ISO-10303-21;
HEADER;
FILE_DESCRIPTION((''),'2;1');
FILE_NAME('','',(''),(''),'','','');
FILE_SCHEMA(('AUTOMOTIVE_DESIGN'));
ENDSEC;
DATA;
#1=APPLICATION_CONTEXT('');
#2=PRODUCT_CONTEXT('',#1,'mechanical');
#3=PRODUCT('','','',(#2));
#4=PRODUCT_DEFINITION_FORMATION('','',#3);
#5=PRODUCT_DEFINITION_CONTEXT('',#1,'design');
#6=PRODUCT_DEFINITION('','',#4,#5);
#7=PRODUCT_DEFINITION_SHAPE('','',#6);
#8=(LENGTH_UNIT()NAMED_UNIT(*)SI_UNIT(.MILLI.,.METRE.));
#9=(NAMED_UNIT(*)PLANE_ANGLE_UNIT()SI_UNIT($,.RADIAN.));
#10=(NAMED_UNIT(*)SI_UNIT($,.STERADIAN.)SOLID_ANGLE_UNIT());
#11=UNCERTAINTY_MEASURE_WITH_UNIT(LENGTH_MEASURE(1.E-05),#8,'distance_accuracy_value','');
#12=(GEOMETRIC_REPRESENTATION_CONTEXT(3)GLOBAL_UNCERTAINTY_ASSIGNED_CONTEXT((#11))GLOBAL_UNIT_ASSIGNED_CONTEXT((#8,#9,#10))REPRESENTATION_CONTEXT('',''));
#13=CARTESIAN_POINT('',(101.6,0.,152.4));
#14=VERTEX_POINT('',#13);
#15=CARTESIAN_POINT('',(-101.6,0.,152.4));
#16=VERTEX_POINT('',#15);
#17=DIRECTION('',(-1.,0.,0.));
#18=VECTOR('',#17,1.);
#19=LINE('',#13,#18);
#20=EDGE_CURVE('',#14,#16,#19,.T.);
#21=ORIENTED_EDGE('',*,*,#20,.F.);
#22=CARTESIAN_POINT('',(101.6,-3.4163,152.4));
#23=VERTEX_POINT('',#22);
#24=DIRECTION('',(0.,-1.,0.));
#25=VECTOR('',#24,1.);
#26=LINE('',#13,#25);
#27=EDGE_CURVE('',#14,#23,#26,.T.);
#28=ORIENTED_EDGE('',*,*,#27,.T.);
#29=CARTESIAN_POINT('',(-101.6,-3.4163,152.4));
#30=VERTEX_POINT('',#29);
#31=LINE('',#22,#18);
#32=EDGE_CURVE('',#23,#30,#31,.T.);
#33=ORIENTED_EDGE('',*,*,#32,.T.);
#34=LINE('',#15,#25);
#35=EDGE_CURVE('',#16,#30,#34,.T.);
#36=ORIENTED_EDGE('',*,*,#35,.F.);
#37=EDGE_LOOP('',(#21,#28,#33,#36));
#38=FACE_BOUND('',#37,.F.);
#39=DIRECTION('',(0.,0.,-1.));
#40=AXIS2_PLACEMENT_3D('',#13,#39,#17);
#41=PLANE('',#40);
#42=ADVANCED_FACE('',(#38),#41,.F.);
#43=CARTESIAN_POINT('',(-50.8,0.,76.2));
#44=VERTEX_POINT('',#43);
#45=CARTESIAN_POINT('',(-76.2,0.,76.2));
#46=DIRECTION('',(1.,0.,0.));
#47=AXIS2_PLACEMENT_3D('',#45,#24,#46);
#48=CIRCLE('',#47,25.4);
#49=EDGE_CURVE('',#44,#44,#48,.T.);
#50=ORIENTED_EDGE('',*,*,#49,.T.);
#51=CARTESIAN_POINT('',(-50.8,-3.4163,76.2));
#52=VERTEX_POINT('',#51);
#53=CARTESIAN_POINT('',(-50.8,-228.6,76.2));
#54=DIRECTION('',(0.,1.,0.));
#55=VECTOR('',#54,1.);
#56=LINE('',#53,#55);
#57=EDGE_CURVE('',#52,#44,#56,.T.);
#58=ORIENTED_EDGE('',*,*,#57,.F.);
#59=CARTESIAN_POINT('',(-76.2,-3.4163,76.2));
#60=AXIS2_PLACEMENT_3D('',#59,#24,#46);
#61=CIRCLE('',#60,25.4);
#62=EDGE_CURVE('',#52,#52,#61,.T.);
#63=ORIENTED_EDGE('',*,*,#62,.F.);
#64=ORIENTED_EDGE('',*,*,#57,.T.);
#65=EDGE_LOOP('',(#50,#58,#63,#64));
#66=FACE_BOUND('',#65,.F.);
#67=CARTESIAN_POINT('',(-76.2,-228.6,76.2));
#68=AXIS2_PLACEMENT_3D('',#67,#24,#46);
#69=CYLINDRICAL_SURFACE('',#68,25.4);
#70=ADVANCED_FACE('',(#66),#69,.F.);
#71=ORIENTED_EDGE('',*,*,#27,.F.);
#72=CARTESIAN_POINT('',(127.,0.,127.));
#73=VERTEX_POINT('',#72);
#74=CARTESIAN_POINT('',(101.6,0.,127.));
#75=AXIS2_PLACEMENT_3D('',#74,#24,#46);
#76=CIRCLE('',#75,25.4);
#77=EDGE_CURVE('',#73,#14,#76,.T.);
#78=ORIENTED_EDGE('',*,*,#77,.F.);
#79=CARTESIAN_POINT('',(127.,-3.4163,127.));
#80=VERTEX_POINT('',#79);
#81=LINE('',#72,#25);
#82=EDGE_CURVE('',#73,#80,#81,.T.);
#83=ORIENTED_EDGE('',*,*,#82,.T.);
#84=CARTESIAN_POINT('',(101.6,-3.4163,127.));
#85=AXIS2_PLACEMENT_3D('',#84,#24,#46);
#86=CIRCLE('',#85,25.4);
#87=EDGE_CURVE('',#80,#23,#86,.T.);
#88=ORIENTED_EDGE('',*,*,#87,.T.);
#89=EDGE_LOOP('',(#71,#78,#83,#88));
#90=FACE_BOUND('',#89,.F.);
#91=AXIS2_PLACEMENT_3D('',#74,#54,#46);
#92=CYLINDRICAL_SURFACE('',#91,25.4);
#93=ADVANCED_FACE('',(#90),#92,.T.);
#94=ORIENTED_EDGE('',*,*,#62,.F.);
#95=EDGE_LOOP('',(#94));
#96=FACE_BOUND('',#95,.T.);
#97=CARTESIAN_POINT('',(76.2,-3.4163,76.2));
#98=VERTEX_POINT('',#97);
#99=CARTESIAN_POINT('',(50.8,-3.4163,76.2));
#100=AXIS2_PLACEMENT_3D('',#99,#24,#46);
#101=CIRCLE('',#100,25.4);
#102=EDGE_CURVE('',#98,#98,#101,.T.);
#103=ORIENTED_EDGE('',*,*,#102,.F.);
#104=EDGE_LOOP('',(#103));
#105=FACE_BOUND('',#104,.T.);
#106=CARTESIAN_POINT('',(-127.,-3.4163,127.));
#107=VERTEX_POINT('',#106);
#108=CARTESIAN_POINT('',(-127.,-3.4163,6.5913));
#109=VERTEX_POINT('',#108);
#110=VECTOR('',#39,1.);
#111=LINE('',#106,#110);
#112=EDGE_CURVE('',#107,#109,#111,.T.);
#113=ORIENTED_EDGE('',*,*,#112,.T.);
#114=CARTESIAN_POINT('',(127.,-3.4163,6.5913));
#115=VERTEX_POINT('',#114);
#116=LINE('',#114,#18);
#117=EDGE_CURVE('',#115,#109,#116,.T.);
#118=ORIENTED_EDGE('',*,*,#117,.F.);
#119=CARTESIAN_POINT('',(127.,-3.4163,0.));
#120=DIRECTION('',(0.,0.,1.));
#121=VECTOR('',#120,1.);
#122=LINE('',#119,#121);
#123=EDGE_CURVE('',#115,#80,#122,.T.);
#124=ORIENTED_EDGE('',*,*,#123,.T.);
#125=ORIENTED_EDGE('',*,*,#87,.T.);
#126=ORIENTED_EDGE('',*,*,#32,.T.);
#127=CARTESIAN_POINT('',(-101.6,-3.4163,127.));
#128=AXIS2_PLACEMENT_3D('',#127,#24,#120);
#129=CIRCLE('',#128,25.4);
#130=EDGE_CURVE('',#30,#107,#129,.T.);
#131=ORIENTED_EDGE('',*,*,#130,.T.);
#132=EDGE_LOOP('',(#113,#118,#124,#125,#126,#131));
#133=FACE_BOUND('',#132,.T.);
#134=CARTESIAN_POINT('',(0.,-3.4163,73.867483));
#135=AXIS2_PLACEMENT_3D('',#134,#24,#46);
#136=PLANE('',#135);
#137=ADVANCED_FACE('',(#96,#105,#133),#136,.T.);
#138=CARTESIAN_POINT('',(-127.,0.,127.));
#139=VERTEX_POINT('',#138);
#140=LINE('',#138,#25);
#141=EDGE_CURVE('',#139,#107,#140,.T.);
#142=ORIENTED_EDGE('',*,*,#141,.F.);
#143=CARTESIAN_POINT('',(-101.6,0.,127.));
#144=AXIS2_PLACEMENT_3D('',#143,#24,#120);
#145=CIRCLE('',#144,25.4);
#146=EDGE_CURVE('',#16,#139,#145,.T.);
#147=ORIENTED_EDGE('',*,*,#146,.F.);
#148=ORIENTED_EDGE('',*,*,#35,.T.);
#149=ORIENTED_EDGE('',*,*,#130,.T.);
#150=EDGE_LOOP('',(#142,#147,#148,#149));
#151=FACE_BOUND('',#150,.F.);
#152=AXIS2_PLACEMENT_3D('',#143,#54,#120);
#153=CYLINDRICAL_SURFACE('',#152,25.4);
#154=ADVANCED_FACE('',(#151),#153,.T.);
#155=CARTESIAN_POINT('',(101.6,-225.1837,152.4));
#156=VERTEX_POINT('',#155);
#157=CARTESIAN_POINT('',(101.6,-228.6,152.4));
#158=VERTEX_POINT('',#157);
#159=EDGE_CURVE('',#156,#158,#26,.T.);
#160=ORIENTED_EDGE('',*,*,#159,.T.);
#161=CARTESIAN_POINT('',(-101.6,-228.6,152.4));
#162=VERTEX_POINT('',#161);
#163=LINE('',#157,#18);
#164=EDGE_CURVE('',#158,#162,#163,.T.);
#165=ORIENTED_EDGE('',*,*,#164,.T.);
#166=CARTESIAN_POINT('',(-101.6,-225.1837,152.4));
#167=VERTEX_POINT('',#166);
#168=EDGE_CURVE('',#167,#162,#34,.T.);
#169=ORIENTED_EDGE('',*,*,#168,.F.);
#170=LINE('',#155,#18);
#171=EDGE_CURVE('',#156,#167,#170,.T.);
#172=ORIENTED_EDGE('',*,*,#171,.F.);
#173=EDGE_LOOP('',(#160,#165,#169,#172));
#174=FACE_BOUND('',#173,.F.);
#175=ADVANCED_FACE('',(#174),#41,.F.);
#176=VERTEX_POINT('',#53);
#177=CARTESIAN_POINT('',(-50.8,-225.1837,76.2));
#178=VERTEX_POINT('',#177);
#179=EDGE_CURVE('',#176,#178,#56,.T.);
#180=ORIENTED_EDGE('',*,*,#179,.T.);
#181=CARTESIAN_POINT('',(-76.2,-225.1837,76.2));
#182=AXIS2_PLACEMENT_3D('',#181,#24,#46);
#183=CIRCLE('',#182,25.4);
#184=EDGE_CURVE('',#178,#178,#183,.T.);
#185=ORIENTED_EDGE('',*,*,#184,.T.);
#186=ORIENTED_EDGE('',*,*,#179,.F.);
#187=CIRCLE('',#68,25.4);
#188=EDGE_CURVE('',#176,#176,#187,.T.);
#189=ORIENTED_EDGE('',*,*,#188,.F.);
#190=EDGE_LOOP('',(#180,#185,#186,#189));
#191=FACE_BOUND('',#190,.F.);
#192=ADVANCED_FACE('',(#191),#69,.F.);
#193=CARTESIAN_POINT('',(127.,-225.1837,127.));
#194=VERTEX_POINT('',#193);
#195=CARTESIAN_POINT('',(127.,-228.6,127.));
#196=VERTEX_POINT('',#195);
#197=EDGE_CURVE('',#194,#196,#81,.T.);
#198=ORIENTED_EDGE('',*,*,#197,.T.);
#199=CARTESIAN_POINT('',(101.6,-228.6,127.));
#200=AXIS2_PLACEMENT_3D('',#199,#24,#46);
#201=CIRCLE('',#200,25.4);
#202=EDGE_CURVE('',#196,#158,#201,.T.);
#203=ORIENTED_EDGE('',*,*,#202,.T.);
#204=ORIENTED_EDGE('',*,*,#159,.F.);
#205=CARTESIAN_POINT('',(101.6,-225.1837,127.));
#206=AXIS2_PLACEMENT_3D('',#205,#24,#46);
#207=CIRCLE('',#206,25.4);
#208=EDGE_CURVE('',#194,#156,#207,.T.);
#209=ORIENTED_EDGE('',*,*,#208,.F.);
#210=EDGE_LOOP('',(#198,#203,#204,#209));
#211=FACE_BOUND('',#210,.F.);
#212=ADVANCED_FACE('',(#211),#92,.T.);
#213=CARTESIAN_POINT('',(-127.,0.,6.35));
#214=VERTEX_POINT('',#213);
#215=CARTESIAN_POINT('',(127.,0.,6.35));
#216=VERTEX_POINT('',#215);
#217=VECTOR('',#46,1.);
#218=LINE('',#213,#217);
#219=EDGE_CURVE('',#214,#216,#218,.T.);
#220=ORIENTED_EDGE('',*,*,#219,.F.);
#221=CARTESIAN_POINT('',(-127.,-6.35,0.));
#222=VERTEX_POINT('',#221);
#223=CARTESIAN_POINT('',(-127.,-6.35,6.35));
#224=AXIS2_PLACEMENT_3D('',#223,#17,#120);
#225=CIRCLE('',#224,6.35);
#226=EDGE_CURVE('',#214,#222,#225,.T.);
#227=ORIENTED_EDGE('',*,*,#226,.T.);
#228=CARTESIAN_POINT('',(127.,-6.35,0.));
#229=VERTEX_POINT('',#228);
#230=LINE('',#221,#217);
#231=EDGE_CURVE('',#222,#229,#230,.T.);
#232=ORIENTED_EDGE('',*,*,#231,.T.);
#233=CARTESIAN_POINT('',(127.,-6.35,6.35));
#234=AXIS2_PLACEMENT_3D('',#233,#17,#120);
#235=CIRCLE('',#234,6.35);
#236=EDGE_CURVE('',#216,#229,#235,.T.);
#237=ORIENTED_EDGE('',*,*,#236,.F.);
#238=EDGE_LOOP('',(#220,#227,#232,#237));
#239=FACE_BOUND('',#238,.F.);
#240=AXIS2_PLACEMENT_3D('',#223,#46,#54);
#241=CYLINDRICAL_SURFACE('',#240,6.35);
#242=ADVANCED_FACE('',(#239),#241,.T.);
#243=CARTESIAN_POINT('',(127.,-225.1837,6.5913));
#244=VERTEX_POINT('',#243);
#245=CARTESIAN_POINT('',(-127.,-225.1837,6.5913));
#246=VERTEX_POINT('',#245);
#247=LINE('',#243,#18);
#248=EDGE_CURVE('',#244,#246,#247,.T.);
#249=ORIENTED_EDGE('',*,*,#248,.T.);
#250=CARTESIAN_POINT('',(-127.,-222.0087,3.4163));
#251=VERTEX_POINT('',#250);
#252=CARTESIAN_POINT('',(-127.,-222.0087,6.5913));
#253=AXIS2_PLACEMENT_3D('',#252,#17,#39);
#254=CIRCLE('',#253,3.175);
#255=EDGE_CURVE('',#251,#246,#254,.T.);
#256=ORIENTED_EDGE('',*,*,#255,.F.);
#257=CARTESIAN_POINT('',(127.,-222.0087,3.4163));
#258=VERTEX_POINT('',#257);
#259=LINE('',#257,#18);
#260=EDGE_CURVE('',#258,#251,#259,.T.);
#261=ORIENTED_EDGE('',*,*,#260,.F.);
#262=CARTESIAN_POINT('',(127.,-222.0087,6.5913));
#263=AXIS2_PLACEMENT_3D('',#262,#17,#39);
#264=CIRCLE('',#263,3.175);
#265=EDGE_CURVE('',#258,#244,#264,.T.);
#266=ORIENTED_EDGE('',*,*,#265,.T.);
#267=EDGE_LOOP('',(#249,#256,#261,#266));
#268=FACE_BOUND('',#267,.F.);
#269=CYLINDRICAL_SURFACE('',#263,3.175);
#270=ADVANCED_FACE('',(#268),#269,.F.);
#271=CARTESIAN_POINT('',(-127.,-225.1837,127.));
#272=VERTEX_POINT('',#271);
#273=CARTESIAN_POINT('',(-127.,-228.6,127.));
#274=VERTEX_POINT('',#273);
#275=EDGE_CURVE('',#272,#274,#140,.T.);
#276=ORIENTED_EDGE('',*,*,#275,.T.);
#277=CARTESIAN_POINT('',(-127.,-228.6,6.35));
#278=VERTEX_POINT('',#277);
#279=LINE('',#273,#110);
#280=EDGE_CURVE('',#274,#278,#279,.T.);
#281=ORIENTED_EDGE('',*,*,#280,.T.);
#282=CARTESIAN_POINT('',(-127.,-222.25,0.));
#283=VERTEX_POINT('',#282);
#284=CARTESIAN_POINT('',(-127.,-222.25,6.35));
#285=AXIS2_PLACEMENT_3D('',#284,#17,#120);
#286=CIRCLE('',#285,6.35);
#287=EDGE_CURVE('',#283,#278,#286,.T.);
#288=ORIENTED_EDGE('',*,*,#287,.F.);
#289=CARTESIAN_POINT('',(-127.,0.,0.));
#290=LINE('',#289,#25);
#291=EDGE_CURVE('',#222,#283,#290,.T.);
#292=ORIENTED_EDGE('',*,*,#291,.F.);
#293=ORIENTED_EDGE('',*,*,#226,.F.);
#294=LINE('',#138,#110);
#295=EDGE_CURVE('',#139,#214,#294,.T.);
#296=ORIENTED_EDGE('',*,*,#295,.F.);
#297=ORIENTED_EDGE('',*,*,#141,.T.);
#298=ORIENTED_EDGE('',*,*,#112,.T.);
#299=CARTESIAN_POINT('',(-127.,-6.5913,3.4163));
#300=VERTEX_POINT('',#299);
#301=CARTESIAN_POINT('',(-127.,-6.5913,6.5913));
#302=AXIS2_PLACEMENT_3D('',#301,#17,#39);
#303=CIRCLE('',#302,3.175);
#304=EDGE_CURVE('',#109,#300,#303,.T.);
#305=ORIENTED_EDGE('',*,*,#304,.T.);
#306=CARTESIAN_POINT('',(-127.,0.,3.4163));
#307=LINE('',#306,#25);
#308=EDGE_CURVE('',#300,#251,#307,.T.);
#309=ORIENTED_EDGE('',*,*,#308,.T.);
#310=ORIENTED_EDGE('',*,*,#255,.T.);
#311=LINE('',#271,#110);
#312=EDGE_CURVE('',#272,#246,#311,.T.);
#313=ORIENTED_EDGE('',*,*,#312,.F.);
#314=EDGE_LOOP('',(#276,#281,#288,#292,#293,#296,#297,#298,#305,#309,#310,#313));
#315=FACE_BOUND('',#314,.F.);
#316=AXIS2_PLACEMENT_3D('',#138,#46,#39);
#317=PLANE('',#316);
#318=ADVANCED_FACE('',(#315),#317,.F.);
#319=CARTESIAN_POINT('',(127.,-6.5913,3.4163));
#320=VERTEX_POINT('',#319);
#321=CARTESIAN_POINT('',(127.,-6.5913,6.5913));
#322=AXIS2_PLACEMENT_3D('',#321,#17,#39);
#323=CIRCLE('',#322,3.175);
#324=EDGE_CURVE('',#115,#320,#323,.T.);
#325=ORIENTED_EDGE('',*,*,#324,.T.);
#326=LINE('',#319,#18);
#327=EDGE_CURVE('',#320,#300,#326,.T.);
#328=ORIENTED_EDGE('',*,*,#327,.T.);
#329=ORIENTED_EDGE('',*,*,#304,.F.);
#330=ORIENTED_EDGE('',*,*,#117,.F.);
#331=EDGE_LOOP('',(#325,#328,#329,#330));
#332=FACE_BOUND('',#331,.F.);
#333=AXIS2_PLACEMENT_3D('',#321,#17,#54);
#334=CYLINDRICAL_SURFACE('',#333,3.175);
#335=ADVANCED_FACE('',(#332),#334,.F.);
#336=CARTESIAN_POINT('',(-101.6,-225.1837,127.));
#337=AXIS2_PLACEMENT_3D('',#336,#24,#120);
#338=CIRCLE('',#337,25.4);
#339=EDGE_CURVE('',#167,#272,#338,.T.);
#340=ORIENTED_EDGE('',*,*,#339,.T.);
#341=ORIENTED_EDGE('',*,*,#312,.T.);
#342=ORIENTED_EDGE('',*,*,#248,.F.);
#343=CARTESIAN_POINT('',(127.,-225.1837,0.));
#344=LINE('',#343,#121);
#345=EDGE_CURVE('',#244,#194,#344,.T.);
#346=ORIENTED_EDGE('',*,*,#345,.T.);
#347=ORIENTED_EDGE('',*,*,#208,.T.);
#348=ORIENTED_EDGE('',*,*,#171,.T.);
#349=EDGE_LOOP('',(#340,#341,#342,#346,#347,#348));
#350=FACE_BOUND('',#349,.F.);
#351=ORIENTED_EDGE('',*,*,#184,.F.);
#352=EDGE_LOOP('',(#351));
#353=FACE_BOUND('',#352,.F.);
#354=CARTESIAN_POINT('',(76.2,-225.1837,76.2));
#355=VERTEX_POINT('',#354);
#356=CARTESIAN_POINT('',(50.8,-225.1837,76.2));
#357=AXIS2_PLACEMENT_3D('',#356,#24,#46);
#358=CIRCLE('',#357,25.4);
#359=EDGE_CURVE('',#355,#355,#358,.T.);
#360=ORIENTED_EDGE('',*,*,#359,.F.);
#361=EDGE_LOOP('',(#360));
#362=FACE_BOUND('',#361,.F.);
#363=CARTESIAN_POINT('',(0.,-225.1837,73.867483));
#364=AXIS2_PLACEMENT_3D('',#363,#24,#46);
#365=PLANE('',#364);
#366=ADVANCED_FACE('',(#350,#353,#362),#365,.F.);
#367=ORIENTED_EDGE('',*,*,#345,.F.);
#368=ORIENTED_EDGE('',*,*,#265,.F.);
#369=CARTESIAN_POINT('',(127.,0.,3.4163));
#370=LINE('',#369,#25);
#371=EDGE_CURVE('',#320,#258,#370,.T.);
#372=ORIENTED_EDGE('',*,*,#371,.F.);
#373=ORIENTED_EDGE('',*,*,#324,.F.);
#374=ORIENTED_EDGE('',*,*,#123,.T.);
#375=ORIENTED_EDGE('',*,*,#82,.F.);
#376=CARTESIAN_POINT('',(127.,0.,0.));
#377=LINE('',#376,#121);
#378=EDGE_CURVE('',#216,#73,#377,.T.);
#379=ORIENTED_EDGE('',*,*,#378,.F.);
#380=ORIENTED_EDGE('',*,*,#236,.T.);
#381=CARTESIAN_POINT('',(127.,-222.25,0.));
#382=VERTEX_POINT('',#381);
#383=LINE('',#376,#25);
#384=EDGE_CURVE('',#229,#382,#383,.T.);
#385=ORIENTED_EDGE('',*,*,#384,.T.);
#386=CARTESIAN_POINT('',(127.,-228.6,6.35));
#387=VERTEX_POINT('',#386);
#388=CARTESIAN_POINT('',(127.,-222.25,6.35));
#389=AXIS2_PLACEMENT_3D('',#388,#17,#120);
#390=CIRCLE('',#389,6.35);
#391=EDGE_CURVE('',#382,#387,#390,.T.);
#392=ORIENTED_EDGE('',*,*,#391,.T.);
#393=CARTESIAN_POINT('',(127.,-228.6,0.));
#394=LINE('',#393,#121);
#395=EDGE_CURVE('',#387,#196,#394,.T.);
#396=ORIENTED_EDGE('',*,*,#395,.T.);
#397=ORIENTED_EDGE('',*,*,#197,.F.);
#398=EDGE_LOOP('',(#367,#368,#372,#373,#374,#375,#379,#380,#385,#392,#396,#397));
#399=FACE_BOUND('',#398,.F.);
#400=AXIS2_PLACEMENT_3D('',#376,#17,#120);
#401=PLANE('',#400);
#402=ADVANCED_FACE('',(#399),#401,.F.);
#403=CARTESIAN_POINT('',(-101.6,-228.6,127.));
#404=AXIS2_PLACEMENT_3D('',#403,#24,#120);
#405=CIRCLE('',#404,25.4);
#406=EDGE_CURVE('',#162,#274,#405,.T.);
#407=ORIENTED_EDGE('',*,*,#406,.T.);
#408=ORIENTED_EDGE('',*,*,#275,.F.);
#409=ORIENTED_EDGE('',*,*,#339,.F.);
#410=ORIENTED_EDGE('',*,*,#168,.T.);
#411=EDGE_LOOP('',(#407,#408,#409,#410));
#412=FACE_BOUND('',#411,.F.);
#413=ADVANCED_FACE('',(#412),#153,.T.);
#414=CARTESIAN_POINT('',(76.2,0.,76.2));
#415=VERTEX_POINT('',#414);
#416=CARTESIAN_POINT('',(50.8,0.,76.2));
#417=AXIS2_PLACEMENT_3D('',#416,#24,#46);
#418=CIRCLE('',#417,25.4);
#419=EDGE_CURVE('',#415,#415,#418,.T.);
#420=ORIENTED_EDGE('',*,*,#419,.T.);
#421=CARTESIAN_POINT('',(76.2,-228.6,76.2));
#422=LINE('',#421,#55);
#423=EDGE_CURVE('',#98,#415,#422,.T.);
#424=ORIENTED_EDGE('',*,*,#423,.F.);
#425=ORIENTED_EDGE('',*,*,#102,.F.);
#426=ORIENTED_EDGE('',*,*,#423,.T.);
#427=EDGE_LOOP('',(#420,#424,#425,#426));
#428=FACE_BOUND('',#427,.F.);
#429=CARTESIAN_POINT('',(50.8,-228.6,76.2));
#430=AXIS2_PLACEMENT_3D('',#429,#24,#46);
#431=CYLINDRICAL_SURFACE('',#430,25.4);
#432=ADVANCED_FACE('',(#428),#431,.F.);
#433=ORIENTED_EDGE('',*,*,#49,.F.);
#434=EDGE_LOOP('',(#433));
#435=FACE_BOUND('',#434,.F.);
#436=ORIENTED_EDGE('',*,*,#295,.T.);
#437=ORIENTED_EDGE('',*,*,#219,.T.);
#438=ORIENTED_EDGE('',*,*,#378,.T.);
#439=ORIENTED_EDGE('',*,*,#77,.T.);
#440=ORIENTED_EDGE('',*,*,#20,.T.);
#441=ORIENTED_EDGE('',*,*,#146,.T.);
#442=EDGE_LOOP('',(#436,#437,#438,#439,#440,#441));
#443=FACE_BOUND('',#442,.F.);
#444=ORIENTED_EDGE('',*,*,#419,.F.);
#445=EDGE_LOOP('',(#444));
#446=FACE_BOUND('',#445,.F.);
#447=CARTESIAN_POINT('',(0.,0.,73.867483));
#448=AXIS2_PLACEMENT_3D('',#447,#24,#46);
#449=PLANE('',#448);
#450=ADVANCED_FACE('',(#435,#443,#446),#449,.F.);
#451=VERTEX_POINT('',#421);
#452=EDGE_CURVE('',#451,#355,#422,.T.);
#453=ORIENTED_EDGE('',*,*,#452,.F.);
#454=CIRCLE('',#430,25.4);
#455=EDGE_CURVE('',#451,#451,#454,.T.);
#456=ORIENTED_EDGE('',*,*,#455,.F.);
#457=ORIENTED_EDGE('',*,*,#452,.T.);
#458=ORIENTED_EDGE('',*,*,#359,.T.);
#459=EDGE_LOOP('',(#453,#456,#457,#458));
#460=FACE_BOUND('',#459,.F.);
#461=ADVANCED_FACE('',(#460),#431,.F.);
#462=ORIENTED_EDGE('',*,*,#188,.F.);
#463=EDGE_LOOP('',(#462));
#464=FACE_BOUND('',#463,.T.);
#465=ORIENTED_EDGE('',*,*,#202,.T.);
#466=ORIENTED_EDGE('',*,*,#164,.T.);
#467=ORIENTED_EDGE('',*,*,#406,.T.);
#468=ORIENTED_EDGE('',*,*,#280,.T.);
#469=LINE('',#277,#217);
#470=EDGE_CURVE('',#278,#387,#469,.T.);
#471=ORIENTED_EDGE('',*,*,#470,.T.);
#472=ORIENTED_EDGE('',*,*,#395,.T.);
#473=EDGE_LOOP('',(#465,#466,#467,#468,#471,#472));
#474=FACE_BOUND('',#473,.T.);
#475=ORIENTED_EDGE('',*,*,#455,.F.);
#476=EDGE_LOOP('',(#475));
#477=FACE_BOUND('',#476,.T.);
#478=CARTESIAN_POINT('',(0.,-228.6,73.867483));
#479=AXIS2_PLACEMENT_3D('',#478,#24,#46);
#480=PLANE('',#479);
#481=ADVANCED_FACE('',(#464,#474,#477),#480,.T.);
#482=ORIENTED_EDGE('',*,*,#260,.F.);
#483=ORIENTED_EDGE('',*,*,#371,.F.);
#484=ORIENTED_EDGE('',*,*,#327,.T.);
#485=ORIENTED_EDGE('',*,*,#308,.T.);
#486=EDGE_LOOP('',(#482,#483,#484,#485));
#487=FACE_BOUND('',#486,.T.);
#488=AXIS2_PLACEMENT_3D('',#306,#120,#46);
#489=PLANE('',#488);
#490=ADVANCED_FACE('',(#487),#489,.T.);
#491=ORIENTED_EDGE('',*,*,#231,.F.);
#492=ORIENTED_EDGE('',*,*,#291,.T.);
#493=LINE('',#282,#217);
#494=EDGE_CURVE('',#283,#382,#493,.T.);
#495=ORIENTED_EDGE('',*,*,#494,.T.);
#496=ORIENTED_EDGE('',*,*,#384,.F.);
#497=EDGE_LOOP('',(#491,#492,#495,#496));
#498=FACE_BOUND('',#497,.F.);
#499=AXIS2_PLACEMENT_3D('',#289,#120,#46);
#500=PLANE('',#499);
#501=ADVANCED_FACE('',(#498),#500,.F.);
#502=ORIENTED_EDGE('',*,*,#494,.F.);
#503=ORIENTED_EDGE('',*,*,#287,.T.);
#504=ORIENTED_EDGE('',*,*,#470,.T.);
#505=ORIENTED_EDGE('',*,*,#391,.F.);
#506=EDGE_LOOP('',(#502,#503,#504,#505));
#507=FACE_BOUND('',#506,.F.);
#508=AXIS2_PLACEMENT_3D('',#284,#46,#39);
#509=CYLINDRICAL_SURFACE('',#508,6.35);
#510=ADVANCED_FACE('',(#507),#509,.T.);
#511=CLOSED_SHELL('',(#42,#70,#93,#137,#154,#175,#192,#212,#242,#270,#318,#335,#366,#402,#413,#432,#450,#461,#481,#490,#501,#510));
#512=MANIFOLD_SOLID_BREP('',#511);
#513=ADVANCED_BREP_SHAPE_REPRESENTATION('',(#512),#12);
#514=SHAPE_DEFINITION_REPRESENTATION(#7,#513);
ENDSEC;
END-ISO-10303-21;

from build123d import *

# Parameters (mm, degrees)
F1_DEPTH = 228.6
F2_R     = 25.4
F3_DEPTH = 228.601
F4_T     = -3.4163
F5_R     = 6.35
F6_R     = 3.175


with BuildPart() as f1:
    # F0 (on Front) → F1 (new body)
    with BuildSketch(Plane.XZ):
        with BuildLine():
            Line((101.6, 152.4), (-101.6, 152.4))
            ThreePointArc((-101.6, 152.4), (-119.5605122421, 144.9605122421), (-127, 127))
            Line((-127, 127), (-127, 0))
            Line((-127, 0), (127, 0))
            Line((127, 0), (127, 127))
            ThreePointArc((127, 127), (119.5605122421, 144.9605122421), (101.6, 152.4))
        make_face()
    extrude(amount=F1_DEPTH)

    # F2 (on face) → F3 (cut, through all)
    with BuildSketch(Plane.XZ.offset(228.6)):
        with Locations((-76.2, 76.2)):
            Circle(F2_R)
        with Locations((50.8, 76.2)):
            Circle(F2_R)
    extrude(amount=-F3_DEPTH, mode=Mode.SUBTRACT)

    # F4
    f4_openings = [f1.faces().sort_by_distance(p)[0] for p in [
        (127, -114.3, 63.5),
        (119.560512, -114.3, 144.960512),
        (0, -114.3, 152.4),
        (-127, -114.3, 63.5),
        (-119.560512, -114.3, 144.960512),
        (-101.6, -114.3, 76.2),
        (25.4, -114.3, 76.2),
    ]]
    offset(amount=F4_T, openings=f4_openings)

    # F5
    f5_edges = [f1.edges().sort_by_distance(p)[0] for p in [
        (0, 0, 0),
        (0, -228.6, 0),
    ]]
    fillet(f5_edges, radius=F5_R)

    # F6
    f6_edges = [f1.edges().sort_by_distance(p)[0] for p in [
        (0, -3.4163, 3.4163),
        (0, -225.1837, 3.4163),
    ]]
    fillet(f6_edges, radius=F6_R)


solid = f1.part
